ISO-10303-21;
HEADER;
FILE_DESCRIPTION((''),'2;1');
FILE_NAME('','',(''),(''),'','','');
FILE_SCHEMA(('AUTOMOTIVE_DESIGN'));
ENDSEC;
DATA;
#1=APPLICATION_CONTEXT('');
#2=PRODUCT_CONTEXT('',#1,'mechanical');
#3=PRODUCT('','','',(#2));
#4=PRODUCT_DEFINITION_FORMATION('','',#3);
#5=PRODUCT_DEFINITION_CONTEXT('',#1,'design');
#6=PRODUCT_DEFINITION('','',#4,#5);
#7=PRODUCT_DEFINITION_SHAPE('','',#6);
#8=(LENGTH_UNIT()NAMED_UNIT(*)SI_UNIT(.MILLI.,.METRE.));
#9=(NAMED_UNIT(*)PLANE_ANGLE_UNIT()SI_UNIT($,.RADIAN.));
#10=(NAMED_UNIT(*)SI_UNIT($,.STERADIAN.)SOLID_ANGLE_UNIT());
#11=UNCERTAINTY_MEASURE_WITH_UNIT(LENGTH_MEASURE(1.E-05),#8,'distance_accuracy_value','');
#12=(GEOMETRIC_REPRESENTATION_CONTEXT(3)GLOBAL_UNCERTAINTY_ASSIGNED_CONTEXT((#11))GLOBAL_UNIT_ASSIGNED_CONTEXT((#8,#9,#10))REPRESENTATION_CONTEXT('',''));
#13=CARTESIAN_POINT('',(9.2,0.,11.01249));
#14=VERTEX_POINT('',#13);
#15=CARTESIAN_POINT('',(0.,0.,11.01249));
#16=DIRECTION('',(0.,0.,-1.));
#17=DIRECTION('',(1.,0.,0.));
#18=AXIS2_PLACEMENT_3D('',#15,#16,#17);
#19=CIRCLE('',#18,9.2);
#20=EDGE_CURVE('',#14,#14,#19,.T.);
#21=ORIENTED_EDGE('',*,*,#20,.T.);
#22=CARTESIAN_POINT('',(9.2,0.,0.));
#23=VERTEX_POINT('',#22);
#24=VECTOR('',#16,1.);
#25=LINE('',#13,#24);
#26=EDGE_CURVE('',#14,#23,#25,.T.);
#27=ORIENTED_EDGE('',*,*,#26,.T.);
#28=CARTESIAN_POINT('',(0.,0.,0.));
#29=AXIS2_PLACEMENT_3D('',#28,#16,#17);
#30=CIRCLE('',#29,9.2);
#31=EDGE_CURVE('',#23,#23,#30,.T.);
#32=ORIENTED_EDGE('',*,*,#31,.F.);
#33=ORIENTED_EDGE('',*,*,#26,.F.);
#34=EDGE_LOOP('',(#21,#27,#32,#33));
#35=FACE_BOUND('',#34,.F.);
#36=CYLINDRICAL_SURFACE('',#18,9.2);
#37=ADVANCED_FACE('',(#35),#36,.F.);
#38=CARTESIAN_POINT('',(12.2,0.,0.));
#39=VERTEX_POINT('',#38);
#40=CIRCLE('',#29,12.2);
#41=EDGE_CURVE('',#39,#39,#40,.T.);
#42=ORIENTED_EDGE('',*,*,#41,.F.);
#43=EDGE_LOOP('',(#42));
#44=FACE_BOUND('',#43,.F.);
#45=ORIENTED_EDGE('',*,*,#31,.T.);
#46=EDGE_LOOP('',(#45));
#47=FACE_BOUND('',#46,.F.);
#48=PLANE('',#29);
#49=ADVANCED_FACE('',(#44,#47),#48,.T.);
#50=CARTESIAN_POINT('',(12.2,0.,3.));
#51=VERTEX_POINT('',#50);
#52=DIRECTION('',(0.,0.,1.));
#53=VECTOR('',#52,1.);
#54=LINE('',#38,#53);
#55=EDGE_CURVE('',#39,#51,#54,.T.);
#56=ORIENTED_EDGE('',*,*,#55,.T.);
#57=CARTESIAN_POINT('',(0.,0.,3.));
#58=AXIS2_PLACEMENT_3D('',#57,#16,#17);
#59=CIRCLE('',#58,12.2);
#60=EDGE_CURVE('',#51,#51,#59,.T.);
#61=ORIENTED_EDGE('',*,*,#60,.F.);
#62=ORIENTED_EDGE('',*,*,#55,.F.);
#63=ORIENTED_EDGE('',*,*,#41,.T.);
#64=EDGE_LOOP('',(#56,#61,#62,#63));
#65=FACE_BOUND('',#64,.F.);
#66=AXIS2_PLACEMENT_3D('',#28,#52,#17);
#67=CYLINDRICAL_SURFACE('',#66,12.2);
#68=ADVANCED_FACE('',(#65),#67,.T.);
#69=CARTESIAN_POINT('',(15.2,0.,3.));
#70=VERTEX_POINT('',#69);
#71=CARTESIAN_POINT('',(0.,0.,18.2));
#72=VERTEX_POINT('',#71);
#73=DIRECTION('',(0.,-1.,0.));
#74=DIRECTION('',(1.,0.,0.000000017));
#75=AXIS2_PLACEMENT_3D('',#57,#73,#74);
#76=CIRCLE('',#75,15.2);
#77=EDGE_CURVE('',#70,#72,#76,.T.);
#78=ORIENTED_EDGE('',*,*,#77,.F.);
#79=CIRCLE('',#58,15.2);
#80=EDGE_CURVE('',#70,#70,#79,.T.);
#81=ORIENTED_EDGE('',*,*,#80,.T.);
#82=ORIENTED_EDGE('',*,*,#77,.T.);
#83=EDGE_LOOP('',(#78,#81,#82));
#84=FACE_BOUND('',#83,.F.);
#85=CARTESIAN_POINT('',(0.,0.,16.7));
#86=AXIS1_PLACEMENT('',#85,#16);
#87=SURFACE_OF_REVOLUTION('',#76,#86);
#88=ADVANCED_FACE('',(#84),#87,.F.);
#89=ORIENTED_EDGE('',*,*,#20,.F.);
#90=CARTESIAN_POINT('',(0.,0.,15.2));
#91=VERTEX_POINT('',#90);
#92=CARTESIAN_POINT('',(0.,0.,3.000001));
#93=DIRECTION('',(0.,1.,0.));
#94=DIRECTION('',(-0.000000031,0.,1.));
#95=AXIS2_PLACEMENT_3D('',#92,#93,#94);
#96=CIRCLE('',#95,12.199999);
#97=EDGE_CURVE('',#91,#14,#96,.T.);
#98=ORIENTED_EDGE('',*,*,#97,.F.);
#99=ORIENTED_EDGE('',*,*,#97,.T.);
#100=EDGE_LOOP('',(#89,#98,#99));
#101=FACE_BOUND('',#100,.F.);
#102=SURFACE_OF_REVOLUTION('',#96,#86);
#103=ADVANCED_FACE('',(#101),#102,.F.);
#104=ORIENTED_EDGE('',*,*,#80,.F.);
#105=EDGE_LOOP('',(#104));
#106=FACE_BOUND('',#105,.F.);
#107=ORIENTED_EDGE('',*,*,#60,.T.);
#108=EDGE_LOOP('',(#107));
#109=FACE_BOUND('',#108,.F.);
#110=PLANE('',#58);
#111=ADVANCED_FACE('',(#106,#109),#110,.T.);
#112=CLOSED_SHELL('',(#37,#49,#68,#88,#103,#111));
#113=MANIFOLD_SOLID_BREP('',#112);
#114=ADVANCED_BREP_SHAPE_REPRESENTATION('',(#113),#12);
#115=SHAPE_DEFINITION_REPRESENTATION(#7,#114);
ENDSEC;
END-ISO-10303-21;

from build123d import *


with BuildPart() as f1:
    # F0 (on Front) → F1 (revolve)
    with BuildSketch(Plane.XZ):
        with BuildLine():
            Line((9.2, 11.01249), (9.2, 0))
            Line((9.2, 0), (12.2, 0))
            Line((12.2, 0), (12.2, 3))
            Line((12.2, 3), (15.2, 3))
            ThreePointArc((15.2, 3), (10.748023, 13.748023), (0, 18.2))
            Line((0, 18.2), (0, 15.2))
            ThreePointArc((0, 15.2), (5.054088, 14.103882), (9.2, 11.01249))
        make_face()
    revolve(axis=Axis((0, 0, 16.7), (0, 0, -1)))


solid = f1.part
